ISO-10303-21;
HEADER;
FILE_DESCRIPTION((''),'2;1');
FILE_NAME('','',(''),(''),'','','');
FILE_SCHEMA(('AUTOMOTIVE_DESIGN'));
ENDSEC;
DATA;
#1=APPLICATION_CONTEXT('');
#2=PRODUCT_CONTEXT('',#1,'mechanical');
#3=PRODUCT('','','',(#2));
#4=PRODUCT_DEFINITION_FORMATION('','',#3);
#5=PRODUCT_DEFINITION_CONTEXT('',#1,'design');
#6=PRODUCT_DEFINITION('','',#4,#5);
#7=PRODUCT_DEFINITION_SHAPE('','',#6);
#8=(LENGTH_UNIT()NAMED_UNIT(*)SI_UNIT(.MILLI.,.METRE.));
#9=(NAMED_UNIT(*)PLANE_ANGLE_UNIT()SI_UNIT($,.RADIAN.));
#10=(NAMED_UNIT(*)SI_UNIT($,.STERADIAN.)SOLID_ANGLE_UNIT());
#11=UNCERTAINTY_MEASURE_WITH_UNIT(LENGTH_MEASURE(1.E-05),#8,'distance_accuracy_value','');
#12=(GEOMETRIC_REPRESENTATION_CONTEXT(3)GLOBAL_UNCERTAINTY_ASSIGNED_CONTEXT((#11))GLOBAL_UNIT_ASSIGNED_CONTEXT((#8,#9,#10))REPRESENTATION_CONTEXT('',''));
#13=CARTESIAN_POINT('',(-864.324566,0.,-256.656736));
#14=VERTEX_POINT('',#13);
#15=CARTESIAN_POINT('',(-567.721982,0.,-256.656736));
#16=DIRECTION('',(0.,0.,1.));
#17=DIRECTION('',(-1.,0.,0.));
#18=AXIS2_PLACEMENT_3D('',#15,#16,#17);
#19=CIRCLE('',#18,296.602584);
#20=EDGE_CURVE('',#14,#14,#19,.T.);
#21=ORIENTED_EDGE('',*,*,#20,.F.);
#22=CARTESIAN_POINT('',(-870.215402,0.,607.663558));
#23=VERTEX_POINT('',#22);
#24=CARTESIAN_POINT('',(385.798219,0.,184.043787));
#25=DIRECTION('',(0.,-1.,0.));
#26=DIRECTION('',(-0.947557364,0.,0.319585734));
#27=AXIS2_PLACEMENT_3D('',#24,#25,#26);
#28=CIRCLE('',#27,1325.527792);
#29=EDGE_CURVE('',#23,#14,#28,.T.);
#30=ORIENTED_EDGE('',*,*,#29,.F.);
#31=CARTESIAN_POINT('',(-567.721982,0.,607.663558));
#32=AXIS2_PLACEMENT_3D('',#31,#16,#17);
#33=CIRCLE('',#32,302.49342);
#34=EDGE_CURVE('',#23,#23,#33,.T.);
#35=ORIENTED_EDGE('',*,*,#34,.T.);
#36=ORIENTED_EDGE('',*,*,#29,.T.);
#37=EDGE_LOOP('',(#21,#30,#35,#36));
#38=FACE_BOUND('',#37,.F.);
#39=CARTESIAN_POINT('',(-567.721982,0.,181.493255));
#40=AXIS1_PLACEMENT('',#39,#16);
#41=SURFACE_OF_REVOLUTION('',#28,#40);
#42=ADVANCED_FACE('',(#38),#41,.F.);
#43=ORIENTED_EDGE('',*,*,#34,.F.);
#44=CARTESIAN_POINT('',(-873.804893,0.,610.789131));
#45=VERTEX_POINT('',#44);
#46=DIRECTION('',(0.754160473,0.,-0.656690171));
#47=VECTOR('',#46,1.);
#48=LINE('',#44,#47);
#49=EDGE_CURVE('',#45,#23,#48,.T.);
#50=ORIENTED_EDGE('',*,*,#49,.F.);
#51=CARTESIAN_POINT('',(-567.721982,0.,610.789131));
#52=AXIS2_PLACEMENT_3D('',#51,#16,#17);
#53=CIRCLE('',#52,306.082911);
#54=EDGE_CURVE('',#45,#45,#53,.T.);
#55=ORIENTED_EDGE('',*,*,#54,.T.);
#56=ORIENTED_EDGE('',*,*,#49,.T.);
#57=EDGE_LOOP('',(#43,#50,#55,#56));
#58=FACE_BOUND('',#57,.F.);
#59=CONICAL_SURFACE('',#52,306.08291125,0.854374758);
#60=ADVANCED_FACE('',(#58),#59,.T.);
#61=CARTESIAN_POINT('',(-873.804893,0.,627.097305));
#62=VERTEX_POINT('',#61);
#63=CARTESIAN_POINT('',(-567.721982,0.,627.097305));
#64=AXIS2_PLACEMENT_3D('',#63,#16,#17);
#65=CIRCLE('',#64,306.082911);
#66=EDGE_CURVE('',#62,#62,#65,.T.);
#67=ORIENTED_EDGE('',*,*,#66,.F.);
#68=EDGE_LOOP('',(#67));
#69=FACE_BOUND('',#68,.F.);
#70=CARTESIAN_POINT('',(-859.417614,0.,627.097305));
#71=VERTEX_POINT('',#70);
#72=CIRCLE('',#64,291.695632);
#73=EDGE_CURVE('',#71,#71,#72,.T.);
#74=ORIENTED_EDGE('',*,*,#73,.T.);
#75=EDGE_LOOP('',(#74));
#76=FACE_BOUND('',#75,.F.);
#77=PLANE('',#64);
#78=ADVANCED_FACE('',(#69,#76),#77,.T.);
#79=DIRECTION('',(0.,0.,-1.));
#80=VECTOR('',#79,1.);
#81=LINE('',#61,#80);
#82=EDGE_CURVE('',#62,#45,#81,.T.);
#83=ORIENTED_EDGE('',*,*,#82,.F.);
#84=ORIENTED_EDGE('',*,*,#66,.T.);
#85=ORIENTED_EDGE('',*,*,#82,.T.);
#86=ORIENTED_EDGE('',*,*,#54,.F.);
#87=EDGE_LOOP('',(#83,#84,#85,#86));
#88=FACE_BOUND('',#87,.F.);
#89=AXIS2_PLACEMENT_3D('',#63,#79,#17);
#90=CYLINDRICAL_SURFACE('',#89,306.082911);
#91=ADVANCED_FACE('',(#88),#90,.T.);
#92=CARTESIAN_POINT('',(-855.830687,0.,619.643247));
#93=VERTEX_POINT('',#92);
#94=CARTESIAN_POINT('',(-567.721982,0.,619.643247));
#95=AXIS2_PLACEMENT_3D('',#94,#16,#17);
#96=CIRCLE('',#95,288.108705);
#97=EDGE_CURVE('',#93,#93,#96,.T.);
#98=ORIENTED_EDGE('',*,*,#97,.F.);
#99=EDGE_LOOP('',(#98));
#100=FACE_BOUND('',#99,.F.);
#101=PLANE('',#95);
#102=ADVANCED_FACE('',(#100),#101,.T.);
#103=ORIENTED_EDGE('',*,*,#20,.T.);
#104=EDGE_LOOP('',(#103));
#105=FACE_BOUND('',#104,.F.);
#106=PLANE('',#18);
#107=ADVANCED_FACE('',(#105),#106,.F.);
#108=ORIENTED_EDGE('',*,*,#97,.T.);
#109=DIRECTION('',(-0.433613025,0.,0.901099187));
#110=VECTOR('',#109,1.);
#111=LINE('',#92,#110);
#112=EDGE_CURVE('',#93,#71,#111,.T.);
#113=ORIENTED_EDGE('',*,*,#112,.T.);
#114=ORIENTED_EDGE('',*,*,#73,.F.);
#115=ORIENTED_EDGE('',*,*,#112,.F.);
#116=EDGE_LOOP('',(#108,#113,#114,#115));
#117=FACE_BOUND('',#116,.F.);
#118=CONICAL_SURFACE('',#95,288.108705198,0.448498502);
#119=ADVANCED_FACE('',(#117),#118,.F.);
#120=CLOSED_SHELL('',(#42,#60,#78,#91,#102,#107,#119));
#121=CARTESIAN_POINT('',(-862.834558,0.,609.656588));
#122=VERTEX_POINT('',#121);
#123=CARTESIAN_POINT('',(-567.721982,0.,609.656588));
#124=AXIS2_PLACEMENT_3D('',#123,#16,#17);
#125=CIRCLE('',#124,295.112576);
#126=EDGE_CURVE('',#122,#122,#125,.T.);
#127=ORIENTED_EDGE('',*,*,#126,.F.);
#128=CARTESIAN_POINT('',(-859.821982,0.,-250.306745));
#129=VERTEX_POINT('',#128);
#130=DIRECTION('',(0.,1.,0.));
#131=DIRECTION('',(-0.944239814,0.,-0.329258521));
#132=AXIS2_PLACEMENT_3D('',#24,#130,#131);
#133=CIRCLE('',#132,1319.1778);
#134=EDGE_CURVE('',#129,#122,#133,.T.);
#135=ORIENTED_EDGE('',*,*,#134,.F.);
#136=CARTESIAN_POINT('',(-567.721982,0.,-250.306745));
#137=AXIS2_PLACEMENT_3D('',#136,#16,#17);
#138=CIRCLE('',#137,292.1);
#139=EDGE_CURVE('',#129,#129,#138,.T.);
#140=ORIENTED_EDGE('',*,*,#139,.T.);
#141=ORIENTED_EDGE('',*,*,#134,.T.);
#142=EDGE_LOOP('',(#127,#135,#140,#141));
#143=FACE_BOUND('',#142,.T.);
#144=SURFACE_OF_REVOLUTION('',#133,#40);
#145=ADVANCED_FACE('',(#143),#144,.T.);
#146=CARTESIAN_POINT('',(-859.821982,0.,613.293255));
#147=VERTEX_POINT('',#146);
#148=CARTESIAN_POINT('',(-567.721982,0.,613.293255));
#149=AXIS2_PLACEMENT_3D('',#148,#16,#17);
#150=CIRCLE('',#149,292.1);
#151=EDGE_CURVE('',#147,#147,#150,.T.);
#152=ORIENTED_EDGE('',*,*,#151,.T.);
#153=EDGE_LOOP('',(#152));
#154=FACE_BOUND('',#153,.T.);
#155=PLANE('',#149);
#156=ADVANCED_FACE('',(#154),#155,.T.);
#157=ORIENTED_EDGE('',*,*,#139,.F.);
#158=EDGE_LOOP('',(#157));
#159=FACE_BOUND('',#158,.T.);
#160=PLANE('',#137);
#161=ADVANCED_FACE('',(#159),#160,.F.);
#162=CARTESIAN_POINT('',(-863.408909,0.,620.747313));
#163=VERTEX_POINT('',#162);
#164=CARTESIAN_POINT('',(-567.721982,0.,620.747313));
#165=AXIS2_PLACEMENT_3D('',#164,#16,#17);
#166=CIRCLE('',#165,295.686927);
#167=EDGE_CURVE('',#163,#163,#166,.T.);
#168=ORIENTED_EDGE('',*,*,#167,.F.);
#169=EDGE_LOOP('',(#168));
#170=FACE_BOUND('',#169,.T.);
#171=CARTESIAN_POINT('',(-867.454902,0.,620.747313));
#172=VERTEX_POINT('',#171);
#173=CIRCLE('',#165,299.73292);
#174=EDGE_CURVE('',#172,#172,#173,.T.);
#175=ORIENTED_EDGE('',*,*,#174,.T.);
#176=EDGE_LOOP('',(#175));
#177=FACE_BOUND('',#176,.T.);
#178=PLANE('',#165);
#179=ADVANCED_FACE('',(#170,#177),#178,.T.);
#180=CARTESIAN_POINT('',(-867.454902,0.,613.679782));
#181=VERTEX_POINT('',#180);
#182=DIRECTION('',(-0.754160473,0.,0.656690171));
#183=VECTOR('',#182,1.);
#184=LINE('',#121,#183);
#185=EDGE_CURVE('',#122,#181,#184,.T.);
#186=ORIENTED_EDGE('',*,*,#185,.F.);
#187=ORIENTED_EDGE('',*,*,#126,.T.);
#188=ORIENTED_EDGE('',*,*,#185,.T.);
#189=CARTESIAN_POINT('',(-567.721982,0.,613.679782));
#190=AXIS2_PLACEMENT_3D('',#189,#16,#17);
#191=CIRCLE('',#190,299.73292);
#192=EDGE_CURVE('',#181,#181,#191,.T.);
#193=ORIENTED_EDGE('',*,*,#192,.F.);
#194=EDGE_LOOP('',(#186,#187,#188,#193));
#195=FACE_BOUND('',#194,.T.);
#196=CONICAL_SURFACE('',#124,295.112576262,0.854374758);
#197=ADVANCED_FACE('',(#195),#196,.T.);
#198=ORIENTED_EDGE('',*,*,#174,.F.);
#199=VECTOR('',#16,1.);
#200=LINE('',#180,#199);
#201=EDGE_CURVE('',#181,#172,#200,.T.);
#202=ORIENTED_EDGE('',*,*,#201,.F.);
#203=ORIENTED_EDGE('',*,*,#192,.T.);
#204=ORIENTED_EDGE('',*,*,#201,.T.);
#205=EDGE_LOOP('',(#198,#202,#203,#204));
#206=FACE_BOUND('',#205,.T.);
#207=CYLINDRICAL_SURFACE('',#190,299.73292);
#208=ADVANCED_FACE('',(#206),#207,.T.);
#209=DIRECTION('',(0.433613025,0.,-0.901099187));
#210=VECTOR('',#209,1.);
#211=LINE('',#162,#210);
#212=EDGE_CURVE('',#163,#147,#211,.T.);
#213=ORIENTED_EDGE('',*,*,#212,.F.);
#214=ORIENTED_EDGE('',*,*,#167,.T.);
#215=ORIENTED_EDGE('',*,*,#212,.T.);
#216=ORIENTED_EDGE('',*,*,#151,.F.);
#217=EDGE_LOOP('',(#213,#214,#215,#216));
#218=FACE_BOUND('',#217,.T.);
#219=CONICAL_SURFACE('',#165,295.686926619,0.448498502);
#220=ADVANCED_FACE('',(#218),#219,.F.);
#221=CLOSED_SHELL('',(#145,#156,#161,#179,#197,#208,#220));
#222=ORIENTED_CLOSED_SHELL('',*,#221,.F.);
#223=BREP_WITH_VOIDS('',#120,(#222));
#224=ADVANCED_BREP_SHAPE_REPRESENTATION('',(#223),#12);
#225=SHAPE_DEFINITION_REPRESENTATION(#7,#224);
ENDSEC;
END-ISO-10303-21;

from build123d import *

# Parameters (mm, degrees)
F4_ANGLE = -90


with BuildPart() as f1:
    # F0 (on Front) → F1 (revolve)
    with BuildSketch(Plane.XZ):
        with BuildLine():
            Line((-403.0058240461, -91.9405779991), (-396.6558325048, -91.9405779991))
            Line((-396.6558325048, -91.9405779991), (-396.6558325048, 200.1594220009))
            ThreePointArc((-396.6558325048, 200.1594220009), (33.0734558544, 273.7089269733), (463.3074998856, 203.1719982624))
            Line((463.3074998856, 203.1719982624), (467.3306941986, 207.7923417091))
            Line((467.3306941986, 207.7923417091), (474.3982255459, 207.7923417091))
            Line((474.3982255459, 207.7923417091), (474.3982255459, 203.7463486195))
            Line((474.3982255459, 203.7463486195), (466.9441674952, 200.1594220009))
            Line((466.9441674952, 200.1594220009), (466.9441674952, -91.9405779991))
            Line((466.9441674952, -91.9405779991), (473.2941590366, -91.9405779991))
            Line((473.2941590366, -91.9405779991), (473.2941590366, 196.1681271988))
            Line((473.2941590366, 196.1681271988), (480.7482170872, 199.7550538173))
            Line((480.7482170872, 199.7550538173), (480.7482170872, 214.1423332505))
            Line((480.7482170872, 214.1423332505), (464.4400434839, 214.1423332505))
            Line((464.4400434839, 214.1423332505), (461.3144704592, 210.5528419861))
            ThreePointArc((461.3144704592, 210.5528419861), (28.6606795466, 280.0362272894), (-403.0058240461, 204.6620055665))
            Line((-403.0058240461, 204.6620055665), (-403.0058240461, -91.9405779991))
        make_face()
    revolve(axis=Axis((35.1441674952, 0, -91.9405779991), (1, 0, 0)))


with BuildPart() as f1_1:
    # F4: moved
    add(f1.part.rotate(Axis((-403.0058240461, 225.1456, -256.6567361355), (0, 1, 0)), F4_ANGLE))


solid = f1_1.part
